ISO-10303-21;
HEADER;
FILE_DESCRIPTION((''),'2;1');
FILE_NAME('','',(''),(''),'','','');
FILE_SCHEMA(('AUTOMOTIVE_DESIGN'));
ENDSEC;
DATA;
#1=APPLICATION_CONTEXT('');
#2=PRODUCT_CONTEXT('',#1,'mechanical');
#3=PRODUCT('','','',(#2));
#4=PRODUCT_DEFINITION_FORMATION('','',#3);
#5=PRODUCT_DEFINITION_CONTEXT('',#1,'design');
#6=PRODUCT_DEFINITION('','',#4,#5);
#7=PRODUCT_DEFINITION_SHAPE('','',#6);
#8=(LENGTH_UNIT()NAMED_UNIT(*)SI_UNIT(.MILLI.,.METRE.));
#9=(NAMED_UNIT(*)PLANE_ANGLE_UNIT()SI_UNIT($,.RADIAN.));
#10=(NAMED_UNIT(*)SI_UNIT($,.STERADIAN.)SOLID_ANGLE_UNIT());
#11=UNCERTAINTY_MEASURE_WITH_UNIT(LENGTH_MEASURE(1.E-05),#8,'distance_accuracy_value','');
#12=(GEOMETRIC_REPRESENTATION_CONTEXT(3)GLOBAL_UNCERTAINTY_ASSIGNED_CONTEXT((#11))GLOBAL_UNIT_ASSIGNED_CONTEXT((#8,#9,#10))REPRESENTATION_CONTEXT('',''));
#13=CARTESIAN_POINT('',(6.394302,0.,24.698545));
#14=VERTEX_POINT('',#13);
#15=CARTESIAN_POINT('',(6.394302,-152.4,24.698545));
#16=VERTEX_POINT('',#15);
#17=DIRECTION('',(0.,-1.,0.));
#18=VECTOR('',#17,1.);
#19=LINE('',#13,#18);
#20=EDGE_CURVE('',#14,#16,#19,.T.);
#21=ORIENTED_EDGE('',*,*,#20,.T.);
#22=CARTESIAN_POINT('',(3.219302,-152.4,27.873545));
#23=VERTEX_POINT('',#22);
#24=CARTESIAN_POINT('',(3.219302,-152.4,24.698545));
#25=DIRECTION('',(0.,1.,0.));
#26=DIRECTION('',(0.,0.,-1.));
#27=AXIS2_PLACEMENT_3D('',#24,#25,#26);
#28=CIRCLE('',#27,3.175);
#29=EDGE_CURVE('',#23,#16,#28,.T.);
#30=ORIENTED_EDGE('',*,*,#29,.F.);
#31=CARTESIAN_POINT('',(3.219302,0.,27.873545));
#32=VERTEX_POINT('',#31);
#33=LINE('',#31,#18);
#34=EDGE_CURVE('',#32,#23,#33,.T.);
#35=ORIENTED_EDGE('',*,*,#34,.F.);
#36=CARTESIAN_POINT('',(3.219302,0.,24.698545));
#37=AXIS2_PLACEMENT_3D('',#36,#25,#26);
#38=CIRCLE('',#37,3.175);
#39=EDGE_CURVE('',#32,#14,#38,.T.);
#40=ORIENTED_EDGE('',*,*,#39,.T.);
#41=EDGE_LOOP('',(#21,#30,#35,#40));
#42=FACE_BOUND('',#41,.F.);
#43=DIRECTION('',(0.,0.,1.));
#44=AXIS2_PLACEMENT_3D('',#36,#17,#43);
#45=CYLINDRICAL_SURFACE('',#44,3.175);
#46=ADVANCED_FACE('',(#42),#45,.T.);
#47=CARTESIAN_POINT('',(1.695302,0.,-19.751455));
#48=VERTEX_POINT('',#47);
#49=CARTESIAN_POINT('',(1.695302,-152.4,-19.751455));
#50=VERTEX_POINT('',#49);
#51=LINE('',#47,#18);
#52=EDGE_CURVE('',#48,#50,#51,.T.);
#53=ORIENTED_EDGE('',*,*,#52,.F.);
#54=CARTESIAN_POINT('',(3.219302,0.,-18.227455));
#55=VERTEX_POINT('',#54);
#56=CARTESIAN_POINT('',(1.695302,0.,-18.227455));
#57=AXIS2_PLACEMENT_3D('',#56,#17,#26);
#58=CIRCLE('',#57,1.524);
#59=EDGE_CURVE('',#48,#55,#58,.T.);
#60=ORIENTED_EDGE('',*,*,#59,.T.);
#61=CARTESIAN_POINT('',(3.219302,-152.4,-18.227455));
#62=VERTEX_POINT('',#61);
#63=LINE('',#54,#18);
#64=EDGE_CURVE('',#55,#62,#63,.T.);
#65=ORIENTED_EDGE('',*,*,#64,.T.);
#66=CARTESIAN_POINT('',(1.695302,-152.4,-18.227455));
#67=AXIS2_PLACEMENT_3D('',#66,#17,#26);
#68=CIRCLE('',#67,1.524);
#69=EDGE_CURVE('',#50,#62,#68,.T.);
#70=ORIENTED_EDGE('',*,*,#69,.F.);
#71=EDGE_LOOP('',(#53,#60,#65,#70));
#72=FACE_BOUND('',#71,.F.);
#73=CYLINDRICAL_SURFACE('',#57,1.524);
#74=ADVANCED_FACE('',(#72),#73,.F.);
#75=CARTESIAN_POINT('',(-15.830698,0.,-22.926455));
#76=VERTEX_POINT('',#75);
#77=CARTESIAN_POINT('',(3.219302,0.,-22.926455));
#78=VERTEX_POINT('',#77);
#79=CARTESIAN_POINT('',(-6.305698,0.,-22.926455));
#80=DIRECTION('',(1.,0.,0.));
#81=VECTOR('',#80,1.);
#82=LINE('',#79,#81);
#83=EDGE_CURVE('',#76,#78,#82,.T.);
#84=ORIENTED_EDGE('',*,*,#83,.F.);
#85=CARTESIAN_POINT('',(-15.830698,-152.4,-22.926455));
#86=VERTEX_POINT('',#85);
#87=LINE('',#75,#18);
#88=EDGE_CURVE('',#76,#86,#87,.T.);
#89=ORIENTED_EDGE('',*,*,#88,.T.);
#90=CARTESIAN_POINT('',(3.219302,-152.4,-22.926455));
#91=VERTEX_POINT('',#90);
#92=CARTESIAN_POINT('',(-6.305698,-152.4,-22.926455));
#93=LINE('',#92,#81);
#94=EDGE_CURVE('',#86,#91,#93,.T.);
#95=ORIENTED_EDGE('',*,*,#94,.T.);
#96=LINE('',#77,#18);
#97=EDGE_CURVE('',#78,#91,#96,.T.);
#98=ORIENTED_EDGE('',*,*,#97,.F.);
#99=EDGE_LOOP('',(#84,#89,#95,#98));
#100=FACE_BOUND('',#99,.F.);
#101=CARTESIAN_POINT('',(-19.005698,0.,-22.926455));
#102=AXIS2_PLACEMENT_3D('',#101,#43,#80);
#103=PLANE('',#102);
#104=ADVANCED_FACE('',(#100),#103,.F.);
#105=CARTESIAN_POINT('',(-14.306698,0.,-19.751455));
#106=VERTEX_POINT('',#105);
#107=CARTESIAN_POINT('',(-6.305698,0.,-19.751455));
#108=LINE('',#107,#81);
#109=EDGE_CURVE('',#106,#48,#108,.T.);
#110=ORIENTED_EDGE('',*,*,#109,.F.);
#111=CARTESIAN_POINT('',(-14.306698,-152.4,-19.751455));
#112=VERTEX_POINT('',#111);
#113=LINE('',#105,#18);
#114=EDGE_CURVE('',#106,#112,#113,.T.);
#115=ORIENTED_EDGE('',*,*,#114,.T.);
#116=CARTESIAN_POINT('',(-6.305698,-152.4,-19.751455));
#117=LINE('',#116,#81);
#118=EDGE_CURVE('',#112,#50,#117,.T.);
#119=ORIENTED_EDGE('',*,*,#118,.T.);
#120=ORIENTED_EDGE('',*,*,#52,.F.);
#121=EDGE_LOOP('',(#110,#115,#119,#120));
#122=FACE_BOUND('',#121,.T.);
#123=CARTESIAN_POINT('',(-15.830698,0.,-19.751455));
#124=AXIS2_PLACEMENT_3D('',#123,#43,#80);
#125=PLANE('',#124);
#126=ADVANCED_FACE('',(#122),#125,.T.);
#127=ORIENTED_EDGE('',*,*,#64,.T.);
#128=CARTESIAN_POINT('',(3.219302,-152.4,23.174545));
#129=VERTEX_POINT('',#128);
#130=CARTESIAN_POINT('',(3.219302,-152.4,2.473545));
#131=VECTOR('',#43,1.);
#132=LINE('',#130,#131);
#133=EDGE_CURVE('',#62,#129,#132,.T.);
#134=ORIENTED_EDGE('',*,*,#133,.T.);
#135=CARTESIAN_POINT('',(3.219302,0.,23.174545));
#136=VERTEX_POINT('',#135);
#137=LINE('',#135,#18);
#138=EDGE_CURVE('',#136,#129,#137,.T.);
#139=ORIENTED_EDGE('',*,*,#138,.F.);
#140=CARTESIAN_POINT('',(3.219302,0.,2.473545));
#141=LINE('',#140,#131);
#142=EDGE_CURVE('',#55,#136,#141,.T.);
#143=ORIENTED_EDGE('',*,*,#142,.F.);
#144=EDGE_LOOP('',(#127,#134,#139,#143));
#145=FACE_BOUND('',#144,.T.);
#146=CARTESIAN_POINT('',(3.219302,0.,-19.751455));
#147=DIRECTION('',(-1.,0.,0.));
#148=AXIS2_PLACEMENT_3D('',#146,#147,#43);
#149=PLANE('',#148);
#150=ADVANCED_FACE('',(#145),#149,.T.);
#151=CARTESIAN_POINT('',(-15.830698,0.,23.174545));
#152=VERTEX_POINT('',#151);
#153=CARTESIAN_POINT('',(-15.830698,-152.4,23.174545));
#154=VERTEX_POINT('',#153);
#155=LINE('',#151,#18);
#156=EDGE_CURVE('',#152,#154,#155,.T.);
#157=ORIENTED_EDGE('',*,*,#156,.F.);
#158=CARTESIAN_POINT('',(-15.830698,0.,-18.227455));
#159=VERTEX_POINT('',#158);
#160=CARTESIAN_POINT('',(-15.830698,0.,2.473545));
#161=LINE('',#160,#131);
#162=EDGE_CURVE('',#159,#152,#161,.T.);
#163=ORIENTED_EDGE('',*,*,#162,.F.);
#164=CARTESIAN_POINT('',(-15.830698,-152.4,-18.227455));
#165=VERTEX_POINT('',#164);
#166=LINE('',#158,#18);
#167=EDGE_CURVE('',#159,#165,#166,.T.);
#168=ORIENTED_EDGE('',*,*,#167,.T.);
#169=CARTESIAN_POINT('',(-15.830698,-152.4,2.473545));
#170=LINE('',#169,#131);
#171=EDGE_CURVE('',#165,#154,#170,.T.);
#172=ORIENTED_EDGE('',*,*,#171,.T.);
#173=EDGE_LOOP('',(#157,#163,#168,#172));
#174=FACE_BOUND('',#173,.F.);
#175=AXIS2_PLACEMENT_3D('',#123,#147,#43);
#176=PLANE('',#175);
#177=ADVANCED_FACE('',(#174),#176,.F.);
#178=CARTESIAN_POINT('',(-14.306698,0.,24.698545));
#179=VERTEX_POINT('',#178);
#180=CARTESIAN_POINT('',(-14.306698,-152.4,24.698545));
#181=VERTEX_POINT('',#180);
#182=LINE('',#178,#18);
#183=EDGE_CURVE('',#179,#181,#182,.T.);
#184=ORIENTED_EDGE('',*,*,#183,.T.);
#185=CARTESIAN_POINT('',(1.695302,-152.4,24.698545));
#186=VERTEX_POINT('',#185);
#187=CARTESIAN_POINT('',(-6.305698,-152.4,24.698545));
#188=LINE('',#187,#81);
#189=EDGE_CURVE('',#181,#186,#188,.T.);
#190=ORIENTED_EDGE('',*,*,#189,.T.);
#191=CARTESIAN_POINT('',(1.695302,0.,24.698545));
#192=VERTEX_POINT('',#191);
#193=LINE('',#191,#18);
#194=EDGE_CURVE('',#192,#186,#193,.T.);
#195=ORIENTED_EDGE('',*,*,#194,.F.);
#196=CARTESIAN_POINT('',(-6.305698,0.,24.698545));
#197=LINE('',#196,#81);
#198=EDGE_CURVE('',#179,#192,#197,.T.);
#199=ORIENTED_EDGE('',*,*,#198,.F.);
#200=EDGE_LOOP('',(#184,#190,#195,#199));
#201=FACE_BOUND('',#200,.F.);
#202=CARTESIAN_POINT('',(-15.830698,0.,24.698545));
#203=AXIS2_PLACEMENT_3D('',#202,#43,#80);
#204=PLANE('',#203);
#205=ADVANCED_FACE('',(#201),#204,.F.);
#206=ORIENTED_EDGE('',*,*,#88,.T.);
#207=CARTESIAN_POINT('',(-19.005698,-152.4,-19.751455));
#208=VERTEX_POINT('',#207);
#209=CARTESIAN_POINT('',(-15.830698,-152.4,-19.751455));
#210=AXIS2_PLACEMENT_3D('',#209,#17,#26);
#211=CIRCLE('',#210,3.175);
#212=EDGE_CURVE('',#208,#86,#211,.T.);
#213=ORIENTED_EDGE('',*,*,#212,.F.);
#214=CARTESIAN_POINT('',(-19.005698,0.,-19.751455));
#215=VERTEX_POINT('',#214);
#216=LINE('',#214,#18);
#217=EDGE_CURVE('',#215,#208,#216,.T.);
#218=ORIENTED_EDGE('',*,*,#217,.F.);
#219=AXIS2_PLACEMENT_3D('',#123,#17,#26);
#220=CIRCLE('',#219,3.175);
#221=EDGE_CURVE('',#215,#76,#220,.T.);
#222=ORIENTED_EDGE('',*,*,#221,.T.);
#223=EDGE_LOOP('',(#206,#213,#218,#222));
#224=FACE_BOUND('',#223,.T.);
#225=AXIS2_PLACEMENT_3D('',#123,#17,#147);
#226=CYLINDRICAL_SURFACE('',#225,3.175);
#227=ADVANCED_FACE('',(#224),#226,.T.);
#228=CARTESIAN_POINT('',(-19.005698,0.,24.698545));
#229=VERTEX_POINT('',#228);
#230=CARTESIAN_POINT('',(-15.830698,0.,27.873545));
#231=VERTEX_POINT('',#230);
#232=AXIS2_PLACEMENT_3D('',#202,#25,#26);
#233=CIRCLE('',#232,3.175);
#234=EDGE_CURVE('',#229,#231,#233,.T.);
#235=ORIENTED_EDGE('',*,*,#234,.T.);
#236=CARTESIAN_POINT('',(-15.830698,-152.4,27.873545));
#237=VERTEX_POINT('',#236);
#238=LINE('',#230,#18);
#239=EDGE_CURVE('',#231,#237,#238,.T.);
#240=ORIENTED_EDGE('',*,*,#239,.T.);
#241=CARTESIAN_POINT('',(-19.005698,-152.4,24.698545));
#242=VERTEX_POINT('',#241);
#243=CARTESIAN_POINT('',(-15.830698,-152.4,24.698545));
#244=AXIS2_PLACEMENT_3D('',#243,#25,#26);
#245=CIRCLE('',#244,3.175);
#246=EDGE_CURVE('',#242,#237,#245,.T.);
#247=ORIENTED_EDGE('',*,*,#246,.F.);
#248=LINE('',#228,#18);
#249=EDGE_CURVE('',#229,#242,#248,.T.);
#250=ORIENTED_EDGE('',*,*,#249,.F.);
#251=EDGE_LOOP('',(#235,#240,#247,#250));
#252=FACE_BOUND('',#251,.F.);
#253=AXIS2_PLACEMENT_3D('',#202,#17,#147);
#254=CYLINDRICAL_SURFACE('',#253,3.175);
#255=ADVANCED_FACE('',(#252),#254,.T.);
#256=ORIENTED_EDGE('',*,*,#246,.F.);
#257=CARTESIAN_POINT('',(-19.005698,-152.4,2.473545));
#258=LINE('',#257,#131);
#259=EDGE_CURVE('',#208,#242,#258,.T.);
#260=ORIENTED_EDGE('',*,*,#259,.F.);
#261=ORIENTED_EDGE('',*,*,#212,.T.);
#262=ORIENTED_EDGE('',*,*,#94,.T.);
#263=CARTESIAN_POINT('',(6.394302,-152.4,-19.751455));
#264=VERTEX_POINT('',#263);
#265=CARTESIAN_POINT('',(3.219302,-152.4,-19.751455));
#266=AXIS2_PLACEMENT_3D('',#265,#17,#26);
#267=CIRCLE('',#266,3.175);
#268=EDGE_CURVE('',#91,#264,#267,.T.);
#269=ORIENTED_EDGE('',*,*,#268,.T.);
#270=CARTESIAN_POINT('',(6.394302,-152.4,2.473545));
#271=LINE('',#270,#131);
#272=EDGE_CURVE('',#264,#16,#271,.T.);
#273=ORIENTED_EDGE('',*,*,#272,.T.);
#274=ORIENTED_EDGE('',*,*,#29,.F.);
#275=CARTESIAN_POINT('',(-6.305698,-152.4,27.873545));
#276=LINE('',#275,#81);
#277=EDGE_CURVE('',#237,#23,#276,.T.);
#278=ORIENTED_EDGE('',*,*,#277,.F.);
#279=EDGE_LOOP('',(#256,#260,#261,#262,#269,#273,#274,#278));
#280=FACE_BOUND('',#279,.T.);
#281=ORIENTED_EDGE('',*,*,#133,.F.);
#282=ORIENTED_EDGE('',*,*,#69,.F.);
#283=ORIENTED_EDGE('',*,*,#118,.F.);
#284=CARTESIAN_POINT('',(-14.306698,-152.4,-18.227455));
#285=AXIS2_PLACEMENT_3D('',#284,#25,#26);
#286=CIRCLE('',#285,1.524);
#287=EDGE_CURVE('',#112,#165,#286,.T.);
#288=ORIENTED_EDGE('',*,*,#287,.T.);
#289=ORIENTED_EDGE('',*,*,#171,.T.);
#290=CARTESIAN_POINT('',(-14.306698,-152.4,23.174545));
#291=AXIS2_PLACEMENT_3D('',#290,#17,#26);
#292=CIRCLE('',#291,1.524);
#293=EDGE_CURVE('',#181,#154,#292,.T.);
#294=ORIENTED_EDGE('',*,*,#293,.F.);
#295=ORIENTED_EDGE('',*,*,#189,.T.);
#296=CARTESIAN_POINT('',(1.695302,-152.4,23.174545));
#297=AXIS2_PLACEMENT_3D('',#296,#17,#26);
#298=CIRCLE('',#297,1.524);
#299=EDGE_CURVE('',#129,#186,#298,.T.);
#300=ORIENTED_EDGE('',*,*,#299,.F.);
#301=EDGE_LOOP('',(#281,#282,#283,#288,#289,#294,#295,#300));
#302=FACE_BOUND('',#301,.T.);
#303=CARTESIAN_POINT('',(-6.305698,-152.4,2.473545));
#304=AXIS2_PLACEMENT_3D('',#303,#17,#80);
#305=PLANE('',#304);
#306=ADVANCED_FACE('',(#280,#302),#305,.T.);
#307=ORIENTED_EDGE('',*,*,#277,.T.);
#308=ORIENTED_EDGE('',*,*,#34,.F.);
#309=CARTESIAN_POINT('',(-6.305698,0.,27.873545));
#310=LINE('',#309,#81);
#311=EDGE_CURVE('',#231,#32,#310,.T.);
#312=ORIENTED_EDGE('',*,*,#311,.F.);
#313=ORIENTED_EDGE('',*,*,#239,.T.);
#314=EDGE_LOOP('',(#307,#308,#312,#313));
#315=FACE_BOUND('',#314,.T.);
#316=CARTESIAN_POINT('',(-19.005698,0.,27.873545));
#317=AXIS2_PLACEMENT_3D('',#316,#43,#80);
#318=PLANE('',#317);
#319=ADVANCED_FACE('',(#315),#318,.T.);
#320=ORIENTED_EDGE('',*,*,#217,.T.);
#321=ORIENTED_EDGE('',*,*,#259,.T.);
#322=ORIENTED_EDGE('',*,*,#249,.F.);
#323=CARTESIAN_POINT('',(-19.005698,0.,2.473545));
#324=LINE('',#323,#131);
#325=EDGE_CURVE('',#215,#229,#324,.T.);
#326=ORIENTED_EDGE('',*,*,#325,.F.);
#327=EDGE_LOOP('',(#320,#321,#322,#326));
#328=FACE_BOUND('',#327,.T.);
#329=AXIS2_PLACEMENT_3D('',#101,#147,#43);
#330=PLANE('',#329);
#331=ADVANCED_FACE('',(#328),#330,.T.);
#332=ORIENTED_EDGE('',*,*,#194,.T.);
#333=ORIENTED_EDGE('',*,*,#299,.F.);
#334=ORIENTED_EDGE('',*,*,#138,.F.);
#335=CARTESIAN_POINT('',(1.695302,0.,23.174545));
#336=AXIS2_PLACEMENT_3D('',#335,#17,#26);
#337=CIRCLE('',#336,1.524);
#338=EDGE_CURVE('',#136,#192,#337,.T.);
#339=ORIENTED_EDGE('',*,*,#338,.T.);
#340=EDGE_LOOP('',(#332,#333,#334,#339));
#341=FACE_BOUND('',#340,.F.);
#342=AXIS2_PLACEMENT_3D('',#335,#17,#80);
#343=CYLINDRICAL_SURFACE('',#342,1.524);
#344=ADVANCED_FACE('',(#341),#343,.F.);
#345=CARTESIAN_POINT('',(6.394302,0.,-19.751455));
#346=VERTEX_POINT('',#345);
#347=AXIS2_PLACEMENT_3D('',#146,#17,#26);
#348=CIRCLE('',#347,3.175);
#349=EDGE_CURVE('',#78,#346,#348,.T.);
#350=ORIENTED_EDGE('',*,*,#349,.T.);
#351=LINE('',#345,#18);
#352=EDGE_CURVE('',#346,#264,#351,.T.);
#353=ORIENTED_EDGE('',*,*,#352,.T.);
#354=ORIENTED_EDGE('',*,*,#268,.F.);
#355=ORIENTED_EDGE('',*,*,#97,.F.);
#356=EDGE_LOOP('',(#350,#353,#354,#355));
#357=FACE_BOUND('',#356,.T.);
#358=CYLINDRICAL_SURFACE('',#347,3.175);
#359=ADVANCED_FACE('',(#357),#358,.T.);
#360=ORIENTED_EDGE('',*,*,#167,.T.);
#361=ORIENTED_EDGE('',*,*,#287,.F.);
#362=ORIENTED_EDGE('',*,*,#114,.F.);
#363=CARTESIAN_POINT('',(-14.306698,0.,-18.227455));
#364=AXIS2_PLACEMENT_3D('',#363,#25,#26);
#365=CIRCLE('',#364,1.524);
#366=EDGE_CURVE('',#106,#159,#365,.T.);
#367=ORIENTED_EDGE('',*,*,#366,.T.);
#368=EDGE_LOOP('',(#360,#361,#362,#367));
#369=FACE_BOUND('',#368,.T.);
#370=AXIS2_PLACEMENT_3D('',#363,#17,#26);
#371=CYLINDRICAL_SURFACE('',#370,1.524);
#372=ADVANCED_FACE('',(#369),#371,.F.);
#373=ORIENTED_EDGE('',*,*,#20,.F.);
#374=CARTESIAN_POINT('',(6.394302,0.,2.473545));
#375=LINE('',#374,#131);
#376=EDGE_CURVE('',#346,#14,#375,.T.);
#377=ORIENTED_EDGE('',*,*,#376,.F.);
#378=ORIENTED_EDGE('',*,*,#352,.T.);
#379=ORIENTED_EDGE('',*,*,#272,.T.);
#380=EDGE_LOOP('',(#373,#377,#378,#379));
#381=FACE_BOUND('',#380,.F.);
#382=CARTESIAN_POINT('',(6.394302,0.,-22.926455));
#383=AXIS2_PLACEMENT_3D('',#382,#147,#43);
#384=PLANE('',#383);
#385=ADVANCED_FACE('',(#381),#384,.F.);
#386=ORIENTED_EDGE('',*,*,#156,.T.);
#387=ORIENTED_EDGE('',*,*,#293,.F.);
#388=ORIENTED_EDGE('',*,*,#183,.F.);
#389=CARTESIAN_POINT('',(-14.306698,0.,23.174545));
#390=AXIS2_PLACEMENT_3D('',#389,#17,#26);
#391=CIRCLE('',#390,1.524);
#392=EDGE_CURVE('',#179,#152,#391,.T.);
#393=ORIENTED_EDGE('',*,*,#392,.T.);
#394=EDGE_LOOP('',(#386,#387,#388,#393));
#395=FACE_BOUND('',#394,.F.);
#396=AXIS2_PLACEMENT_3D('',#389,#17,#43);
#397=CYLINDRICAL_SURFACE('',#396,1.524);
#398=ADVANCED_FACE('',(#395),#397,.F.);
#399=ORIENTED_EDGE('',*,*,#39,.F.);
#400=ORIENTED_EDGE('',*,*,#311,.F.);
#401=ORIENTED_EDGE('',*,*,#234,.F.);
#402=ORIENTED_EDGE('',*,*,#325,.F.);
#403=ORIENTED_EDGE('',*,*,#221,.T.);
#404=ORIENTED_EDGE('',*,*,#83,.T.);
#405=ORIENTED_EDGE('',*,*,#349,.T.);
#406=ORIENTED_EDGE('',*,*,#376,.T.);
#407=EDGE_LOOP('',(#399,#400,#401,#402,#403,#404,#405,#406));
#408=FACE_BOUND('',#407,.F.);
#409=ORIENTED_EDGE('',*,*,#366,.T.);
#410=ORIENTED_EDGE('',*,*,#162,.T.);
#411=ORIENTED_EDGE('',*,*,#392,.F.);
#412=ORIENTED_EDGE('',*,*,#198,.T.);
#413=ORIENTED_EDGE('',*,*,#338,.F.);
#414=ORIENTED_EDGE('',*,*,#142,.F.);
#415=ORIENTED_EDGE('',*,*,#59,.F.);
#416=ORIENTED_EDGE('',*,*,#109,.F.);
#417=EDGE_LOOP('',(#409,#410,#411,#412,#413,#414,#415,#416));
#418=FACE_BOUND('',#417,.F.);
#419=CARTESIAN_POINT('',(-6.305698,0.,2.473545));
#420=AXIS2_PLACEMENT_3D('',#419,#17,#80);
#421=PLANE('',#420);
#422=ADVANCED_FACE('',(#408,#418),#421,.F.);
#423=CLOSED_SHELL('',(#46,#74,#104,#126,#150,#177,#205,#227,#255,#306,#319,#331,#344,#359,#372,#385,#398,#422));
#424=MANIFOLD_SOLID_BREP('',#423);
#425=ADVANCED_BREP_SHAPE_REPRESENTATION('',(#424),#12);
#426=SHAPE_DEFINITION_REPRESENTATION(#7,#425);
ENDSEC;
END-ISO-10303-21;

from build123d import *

# Parameters (mm, degrees)
F0_W     = 25.4
F0_H     = 50.8
F0_W_2   = 19.05
F0_H_2   = 44.45
F1_DEPTH = 152.4
F2_R     = 3.175
F3_R     = 1.524


with BuildPart() as f1:
    # F0 (on Front) → F1 (new body)
    with BuildSketch(Plane.XZ):
        with Locations((-6.305698, 2.473545)):
            Rectangle(F0_W, F0_H)
        with Locations((-6.305698, 2.473545)):
            Rectangle(F0_W_2, F0_H_2, mode=Mode.SUBTRACT)
    extrude(amount=F1_DEPTH)

    # F2
    f2_edges = [f1.edges().sort_by_distance(p)[0] for p in [
        (-19.005698, -76.2, 27.873545),
        (6.394302, -76.2, 27.873545),
        (-19.005698, -76.2, -22.926455),
        (6.394302, -76.2, -22.926455),
    ]]
    fillet(f2_edges, radius=F2_R)

    # F3
    f3_edges = [f1.edges().sort_by_distance(p)[0] for p in [
        (-15.830698, -76.2, 24.698545),
        (3.219302, -76.2, 24.698545),
        (3.219302, -76.2, -19.751455),
        (-15.830698, -76.2, -19.751455),
    ]]
    fillet(f3_edges, radius=F3_R)


solid = f1.part
